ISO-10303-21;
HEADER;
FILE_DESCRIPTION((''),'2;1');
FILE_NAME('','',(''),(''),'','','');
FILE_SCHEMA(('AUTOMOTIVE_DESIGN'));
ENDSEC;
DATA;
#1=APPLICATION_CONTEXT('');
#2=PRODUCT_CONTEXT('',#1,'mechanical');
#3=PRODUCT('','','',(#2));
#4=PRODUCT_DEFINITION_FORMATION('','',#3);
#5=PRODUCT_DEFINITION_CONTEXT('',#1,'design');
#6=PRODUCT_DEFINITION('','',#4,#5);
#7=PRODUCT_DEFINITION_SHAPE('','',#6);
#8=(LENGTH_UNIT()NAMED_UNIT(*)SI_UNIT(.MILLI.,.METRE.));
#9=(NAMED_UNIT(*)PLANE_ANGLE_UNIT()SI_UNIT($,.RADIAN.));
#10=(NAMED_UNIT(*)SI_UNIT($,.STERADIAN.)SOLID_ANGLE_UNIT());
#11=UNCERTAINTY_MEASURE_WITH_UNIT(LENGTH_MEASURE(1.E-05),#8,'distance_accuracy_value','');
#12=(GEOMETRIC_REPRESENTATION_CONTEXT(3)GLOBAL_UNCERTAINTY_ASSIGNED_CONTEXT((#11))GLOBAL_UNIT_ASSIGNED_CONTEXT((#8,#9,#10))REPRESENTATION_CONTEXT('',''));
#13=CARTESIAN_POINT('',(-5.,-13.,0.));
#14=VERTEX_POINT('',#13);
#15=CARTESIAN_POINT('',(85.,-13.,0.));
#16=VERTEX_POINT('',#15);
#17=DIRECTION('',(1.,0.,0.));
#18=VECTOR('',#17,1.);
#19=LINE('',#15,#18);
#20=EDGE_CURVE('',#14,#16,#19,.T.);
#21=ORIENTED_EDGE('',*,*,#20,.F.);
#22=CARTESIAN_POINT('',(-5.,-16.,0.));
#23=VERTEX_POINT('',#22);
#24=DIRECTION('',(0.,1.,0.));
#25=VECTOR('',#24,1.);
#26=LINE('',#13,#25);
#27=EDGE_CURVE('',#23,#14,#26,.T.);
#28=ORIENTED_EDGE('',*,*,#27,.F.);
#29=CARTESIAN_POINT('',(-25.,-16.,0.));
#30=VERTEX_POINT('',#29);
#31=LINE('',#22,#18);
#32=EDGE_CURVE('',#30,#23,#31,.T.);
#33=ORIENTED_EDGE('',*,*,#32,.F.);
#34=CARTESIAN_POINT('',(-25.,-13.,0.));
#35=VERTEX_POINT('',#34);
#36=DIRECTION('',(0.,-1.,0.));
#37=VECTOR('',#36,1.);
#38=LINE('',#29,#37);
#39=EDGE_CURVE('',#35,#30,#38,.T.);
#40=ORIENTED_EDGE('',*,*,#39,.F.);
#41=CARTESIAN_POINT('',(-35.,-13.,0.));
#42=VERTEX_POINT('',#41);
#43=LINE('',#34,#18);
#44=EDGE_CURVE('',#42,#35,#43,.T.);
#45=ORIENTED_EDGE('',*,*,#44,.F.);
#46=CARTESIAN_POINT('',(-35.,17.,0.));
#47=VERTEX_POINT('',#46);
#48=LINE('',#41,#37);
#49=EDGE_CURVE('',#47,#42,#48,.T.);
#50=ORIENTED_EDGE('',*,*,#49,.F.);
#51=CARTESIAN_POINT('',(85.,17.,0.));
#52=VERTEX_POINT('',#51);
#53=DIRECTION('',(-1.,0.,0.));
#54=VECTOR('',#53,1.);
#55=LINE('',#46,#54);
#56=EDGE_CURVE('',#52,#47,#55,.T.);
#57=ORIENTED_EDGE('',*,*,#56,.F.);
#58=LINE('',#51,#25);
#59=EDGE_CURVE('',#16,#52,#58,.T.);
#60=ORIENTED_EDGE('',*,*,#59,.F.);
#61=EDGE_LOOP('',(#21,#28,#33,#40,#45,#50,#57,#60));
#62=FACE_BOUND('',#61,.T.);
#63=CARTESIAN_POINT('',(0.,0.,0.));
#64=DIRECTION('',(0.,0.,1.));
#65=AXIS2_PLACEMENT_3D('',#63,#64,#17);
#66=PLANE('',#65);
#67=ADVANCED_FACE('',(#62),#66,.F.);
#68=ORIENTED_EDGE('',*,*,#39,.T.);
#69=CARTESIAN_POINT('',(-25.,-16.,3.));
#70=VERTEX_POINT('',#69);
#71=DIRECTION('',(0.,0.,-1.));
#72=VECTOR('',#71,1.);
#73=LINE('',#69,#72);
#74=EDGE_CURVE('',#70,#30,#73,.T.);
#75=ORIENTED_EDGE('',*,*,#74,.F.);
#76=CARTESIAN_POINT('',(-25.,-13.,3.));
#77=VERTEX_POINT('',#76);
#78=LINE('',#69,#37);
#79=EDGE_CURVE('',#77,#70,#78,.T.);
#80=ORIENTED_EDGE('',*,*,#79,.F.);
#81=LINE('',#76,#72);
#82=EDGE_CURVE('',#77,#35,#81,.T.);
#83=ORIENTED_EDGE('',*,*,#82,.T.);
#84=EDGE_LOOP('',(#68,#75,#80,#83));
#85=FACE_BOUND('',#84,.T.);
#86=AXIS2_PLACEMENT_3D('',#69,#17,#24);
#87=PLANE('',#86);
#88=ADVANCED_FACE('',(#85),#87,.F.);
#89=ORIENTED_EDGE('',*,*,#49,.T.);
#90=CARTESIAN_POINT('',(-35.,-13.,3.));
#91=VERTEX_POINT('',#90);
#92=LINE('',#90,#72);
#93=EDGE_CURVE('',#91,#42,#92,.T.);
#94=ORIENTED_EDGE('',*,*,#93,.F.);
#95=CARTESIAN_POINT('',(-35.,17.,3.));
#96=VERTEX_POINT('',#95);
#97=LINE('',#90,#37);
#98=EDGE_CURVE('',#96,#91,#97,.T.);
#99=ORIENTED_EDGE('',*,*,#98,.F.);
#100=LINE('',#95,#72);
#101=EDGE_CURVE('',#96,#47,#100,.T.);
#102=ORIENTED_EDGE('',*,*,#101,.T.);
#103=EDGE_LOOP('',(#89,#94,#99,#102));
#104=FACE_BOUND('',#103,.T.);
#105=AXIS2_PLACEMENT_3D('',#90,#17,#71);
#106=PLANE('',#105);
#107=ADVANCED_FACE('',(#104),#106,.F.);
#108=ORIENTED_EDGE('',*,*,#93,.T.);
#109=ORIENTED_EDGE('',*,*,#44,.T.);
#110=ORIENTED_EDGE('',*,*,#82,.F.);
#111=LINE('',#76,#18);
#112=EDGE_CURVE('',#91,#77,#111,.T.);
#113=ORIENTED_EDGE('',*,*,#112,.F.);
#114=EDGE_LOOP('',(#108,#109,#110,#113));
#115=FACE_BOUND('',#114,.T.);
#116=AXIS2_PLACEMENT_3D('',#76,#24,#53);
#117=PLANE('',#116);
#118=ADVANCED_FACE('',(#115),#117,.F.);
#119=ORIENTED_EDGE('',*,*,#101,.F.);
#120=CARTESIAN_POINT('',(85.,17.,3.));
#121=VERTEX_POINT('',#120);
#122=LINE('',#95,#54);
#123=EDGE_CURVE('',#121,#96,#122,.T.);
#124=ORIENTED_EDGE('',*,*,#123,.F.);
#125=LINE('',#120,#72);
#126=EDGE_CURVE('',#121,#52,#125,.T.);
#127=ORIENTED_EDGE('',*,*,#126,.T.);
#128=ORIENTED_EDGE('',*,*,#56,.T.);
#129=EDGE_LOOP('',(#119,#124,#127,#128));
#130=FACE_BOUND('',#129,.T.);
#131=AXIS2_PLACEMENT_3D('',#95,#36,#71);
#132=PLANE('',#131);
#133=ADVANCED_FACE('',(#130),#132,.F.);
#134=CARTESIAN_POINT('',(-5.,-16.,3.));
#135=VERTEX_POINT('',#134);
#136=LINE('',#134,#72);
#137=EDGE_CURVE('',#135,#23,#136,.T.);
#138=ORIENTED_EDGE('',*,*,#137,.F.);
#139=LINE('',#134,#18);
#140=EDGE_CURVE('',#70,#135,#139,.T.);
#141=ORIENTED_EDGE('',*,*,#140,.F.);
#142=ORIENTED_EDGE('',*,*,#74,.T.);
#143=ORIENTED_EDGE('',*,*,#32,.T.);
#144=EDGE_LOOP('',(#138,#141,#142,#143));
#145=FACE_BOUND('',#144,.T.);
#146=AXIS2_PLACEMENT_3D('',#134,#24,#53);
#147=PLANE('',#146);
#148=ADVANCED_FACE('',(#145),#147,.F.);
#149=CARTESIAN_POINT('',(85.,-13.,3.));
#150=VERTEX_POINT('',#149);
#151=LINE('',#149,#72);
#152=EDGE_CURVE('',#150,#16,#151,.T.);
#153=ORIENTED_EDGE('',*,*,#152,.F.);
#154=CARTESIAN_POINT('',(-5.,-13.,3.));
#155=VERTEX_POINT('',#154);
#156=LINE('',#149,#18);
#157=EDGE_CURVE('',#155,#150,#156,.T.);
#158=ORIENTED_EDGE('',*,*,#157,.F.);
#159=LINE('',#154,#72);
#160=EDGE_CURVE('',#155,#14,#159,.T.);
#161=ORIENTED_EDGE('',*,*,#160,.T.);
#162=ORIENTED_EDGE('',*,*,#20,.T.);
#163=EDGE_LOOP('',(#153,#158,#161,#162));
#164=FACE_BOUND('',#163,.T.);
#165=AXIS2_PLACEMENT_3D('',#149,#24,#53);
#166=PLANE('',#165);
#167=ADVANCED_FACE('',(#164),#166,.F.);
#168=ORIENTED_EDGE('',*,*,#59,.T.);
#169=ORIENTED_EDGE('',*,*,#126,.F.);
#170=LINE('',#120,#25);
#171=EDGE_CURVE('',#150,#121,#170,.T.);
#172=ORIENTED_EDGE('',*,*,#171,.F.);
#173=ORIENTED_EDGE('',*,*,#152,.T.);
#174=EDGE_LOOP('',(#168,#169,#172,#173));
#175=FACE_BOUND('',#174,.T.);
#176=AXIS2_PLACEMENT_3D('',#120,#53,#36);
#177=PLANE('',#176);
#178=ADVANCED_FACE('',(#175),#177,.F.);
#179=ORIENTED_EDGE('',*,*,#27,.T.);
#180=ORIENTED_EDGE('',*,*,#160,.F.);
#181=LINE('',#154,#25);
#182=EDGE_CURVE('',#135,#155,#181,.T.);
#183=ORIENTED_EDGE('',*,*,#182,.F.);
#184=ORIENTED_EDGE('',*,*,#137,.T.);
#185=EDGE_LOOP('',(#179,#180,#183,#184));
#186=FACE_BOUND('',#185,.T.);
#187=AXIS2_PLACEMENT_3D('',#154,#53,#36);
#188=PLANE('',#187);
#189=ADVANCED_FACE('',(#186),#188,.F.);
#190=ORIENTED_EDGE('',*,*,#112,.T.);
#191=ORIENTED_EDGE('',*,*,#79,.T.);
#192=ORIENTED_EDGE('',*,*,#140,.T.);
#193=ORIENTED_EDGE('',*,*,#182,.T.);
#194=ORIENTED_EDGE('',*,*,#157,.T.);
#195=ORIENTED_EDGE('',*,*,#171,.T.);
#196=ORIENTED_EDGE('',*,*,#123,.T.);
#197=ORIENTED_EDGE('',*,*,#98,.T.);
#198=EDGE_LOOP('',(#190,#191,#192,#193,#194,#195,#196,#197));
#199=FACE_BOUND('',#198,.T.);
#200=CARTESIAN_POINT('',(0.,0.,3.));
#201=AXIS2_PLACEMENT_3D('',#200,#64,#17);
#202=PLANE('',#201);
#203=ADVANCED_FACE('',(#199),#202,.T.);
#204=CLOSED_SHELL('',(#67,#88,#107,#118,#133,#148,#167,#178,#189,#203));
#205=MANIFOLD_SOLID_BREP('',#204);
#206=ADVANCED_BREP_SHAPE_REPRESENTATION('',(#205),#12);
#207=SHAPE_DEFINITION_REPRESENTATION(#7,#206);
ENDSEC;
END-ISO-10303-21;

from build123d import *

# Parameters (mm, degrees)
BOSS_EXTRUDE1_DEPTH = 3


with BuildPart() as part:
    # Sketch1 → Boss-Extrude1 (new body)
    with BuildSketch(Plane.XY):
        Polygon((-25, -13), (-35, -13), (-35, 17), (85, 17), (85, -13), (-5, -13), (-5, -16), (-25, -16), align=None)
    extrude(amount=BOSS_EXTRUDE1_DEPTH)


solid = part.part
